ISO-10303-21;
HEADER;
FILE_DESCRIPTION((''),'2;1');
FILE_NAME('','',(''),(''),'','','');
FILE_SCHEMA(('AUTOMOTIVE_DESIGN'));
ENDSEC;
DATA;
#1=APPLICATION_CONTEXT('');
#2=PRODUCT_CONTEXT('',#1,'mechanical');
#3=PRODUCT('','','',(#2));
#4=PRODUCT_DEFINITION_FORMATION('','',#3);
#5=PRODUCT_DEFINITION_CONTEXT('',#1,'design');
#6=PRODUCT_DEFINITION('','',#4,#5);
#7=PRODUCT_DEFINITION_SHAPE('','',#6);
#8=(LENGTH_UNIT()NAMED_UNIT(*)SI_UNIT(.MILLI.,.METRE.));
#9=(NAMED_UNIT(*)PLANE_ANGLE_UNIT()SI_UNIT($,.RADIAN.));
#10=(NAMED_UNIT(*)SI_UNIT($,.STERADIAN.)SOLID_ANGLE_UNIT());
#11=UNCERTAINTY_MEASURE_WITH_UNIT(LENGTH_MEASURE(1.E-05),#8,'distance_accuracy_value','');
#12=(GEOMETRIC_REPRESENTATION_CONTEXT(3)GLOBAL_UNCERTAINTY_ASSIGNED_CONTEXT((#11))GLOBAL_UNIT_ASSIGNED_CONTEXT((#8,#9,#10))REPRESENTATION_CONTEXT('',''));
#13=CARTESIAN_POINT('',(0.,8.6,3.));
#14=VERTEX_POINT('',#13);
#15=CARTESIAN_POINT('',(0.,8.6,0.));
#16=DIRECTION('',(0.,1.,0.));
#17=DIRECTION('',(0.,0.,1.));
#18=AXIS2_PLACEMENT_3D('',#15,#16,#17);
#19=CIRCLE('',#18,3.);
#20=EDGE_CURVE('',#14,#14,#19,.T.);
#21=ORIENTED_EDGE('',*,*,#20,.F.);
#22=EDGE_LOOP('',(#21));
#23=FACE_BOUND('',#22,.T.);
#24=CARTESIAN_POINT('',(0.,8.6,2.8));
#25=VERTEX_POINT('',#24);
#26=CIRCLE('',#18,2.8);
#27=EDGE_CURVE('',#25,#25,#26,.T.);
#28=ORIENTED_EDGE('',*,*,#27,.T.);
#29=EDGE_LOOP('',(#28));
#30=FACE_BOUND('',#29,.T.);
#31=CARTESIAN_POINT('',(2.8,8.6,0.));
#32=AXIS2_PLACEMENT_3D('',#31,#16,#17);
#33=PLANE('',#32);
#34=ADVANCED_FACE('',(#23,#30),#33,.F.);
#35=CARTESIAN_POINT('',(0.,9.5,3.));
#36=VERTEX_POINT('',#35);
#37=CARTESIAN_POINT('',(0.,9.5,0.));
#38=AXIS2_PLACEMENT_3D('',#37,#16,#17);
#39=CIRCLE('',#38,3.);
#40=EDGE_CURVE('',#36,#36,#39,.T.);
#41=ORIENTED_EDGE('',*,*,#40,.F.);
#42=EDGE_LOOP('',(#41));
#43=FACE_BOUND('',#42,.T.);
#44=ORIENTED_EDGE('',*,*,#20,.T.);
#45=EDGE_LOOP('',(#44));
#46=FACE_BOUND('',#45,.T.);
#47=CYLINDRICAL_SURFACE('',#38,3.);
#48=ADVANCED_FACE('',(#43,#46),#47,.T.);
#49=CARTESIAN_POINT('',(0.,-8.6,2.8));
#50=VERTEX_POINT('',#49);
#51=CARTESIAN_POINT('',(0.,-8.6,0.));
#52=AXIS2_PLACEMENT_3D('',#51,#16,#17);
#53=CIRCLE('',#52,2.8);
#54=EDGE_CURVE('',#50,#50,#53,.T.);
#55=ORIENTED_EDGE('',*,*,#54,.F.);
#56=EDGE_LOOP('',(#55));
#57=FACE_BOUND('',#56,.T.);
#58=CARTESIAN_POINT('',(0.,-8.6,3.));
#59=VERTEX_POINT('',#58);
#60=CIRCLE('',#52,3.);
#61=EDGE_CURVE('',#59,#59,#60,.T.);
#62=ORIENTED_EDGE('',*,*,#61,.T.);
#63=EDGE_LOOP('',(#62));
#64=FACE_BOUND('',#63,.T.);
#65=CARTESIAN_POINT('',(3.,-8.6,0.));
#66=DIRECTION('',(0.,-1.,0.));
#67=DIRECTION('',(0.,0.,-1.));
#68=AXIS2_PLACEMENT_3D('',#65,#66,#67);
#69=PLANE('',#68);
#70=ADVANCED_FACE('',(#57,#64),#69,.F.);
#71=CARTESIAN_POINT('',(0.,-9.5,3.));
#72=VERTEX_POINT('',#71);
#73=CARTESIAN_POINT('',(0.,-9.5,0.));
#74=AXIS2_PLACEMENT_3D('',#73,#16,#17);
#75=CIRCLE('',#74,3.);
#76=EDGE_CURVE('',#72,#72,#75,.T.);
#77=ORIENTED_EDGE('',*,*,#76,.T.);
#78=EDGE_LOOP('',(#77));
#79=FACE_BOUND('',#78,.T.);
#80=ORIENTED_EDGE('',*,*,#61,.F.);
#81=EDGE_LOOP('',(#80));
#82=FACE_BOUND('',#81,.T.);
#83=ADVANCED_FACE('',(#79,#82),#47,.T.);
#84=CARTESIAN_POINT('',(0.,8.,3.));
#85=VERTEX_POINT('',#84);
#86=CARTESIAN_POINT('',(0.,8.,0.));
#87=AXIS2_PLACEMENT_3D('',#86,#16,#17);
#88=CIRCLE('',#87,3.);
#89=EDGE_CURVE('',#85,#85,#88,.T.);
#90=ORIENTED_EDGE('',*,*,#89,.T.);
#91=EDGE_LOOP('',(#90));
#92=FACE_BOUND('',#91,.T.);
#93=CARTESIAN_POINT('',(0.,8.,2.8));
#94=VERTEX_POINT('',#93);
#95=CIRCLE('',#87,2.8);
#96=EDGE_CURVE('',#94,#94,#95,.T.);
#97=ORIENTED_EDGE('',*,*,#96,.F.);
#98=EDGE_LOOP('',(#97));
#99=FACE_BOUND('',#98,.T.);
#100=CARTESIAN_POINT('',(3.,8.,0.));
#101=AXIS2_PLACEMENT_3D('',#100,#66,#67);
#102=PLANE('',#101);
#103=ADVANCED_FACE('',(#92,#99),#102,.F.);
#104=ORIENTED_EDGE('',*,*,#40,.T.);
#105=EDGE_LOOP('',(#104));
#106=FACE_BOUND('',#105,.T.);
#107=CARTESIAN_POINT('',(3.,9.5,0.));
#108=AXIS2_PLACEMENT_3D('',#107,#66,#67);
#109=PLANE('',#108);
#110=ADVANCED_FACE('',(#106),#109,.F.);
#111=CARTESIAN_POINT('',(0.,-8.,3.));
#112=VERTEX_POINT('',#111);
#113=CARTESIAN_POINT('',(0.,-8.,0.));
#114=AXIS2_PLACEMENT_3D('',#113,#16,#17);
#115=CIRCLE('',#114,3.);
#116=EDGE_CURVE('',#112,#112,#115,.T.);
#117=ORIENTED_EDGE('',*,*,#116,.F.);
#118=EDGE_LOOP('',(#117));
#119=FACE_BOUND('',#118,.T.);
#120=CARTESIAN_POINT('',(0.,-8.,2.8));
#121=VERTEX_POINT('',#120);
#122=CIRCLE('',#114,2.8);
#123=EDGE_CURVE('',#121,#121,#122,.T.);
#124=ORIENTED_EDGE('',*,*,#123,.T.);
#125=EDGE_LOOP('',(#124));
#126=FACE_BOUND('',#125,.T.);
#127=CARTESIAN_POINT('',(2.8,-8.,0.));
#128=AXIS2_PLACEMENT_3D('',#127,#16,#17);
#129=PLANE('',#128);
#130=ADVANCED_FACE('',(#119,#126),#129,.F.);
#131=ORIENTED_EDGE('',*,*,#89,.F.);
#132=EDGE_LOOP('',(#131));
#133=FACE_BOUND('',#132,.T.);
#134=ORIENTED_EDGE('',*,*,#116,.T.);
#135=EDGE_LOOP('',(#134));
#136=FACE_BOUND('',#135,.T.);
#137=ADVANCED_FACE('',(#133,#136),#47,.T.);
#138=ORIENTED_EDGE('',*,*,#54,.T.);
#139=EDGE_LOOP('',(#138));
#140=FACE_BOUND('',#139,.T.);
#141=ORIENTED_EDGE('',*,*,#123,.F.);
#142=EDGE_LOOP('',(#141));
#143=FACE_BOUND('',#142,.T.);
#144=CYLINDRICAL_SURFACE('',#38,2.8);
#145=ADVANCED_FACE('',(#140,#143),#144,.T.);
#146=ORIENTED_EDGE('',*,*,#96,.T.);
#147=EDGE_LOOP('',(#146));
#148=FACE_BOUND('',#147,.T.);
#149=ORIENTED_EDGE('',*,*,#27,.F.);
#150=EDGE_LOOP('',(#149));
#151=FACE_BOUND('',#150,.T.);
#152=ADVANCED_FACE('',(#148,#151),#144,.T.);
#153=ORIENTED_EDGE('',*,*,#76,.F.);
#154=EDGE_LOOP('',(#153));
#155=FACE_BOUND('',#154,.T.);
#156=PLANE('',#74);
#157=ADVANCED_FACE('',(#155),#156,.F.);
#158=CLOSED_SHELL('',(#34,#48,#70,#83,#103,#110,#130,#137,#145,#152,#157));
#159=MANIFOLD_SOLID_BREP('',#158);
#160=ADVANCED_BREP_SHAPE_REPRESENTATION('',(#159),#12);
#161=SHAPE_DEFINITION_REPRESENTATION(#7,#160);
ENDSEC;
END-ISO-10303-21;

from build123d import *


with BuildPart() as part:
    # 草图1 → 旋转1 (revolve)
    with BuildSketch(Plane.XY):
        Polygon((0, -9.5), (3, -9.5), (3, -8.6), (2.8, -8.6), (2.8, -8), (3, -8), (3, 8), (2.8, 8), (2.8, 8.6), (3, 8.6), (3, 9.5), (0, 9.5), align=None)
    revolve(axis=Axis((0, 9.5, 0), (0, -1, 0)))


solid = part.part
